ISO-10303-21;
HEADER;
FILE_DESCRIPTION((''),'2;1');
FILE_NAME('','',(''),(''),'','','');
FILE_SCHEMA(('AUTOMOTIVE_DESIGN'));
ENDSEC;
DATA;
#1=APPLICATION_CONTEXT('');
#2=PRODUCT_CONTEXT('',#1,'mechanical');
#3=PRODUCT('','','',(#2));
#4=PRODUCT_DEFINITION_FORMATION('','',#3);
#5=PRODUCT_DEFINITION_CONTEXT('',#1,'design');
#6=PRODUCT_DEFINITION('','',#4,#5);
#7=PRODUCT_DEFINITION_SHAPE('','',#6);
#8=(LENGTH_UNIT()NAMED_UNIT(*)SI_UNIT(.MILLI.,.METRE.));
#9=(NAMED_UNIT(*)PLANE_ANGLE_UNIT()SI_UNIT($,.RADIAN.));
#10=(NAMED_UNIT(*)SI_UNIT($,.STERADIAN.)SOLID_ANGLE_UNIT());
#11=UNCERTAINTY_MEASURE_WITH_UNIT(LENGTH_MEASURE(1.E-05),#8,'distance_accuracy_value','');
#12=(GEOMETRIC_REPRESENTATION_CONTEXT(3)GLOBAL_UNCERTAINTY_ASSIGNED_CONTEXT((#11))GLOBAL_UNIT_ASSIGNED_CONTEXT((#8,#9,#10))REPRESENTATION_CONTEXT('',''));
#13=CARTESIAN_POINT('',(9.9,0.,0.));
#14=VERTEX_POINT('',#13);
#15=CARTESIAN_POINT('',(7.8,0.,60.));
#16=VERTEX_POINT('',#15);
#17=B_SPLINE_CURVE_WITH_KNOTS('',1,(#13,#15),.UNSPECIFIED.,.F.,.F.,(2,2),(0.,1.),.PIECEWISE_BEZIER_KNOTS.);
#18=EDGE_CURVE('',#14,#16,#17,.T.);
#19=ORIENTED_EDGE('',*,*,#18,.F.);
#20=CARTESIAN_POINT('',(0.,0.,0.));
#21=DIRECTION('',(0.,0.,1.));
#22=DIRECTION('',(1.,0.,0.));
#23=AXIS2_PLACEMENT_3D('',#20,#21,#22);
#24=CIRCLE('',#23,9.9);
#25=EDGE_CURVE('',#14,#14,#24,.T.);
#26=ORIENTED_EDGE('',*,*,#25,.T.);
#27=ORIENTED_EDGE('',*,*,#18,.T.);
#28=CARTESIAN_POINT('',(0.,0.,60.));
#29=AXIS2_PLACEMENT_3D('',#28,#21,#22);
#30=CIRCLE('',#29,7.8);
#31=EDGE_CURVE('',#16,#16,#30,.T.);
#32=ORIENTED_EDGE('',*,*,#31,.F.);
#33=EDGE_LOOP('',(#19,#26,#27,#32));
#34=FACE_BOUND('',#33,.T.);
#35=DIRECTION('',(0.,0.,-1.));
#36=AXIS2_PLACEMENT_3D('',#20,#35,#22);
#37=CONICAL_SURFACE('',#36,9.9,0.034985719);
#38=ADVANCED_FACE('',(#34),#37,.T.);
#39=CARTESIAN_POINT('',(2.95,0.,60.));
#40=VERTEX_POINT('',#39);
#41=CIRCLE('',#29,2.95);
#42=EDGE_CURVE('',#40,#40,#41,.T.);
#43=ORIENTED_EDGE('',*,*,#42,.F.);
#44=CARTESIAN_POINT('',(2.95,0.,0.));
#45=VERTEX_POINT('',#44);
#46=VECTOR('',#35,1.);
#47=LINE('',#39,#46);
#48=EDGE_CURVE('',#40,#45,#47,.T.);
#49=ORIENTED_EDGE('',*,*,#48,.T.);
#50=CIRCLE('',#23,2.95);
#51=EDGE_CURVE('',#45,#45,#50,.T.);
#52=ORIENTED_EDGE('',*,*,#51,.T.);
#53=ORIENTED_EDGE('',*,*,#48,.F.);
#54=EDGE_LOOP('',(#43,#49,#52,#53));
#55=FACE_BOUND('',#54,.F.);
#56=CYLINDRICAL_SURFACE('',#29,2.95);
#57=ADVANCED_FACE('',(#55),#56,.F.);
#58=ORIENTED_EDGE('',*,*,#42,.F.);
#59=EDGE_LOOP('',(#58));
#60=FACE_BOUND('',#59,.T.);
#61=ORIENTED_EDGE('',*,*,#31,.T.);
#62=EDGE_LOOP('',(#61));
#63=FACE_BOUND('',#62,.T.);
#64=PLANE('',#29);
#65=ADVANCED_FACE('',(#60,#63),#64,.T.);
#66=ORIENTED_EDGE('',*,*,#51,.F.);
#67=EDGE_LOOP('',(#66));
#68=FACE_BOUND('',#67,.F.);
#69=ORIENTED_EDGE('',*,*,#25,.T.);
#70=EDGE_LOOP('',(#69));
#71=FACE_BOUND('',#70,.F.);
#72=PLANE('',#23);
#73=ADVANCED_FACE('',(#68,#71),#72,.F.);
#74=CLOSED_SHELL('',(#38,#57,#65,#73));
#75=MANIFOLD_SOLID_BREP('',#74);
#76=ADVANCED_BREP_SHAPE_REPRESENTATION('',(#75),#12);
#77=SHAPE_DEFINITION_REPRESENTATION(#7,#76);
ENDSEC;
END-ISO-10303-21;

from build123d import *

# Parameters (mm, degrees)
F0_R     = 9.9
F2_R     = 7.8
F4_R     = 2.95
F5_DEPTH = 60.001


with BuildPart() as f3:
    # F0 (on Top) → F3 section 0
    with BuildSketch(Plane.XY):
        Circle(F0_R)
    # F2 (on offset) → F3 section 1
    with BuildSketch(Plane.XY.offset(60)):
        Circle(F2_R)
    loft()

    # F4 (on face) → F5 (cut, through all)
    with BuildSketch(Plane.XY.offset(60)):
        Circle(F4_R)
    extrude(amount=-F5_DEPTH, mode=Mode.SUBTRACT)


solid = f3.part
